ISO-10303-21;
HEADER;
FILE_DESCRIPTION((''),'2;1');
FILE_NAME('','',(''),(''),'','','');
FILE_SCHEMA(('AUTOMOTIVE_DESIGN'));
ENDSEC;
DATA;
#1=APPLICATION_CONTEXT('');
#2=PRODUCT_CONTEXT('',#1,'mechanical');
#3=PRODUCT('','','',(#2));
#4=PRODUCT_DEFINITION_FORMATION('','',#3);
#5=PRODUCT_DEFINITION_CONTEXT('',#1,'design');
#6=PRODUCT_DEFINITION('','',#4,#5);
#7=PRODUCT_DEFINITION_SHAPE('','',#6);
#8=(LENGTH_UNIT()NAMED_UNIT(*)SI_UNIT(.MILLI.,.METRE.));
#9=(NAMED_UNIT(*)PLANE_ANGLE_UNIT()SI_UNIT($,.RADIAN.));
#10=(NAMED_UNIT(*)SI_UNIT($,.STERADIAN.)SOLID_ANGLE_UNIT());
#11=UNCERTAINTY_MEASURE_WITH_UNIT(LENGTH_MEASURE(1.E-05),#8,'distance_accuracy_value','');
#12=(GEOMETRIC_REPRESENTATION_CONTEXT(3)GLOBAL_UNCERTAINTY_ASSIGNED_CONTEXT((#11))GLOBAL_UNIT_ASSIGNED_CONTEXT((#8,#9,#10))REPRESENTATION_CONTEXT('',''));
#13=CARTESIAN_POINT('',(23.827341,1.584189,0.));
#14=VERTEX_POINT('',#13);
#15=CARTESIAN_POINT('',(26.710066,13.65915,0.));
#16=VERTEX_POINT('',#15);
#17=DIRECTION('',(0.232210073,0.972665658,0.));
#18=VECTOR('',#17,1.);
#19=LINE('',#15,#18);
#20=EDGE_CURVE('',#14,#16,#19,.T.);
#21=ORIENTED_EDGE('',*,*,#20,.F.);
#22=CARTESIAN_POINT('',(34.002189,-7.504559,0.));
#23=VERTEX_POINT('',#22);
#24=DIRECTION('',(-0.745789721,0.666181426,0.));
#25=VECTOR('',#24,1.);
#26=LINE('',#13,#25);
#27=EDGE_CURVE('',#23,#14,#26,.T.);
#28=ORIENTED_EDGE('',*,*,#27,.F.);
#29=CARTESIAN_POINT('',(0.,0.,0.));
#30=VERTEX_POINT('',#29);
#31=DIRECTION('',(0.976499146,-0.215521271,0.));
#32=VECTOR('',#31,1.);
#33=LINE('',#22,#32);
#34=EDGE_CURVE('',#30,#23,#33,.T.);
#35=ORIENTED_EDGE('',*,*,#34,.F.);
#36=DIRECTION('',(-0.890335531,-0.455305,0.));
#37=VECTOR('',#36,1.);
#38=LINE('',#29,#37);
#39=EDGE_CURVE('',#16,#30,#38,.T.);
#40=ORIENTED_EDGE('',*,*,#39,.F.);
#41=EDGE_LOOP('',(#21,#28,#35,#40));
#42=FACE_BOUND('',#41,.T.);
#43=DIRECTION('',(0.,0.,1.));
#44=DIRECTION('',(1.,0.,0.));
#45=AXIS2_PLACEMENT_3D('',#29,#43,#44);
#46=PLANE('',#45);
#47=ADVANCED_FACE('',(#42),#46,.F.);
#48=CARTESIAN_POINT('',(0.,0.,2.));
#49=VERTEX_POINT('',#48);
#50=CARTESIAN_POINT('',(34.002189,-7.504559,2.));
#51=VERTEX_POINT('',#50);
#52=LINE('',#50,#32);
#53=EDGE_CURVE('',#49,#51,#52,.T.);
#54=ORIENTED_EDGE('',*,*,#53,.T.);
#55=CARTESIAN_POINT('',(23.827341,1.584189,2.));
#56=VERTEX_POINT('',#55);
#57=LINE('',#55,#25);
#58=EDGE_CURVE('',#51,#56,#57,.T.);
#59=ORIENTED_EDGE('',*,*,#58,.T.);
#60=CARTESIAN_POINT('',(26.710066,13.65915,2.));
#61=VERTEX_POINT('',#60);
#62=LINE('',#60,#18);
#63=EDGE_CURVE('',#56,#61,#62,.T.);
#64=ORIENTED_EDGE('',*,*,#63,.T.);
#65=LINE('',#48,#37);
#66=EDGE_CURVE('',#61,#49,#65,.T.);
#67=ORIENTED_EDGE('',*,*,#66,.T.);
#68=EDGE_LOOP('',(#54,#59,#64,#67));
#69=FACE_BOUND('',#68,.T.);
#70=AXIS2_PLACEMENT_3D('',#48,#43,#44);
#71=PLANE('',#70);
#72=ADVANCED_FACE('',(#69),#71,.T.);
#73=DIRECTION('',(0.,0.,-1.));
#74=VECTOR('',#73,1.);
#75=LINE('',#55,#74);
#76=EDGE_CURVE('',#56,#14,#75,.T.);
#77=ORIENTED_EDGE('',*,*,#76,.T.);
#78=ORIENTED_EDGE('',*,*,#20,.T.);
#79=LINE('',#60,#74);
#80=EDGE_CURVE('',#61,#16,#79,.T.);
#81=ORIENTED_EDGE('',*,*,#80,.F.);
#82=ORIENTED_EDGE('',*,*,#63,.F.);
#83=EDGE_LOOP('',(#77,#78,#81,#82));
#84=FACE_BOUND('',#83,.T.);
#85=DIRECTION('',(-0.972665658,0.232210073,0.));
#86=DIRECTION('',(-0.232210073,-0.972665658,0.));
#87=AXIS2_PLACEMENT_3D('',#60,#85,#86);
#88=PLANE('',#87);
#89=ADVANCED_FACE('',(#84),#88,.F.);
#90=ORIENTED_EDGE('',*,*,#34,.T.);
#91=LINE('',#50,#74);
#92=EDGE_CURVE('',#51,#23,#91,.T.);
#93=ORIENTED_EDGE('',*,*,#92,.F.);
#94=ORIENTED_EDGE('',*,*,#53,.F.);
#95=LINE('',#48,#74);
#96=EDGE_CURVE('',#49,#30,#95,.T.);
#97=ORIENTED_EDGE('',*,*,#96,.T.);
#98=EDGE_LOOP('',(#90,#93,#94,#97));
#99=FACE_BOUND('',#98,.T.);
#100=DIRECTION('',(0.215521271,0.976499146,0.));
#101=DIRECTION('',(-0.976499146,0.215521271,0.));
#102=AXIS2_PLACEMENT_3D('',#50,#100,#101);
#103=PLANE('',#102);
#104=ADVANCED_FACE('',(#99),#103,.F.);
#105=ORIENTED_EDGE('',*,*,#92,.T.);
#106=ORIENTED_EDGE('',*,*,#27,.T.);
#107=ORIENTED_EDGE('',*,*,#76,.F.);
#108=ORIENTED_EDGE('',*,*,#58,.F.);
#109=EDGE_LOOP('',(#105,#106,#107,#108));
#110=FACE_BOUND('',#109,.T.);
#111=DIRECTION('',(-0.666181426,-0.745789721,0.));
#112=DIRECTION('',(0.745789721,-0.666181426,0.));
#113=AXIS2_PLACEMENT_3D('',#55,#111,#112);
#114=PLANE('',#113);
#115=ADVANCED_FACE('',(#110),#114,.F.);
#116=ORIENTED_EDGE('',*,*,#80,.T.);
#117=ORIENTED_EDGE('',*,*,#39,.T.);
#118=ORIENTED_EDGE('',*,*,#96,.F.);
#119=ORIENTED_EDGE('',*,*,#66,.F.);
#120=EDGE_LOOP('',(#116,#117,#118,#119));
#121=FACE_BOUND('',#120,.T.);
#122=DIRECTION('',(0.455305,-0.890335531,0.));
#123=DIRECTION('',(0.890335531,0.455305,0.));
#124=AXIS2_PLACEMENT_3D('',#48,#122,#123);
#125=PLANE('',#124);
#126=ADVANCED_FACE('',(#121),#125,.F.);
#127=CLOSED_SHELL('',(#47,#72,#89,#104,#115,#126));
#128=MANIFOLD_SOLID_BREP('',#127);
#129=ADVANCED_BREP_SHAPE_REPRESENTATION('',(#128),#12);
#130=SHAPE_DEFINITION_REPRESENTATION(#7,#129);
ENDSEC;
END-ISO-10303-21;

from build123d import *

# Parameters (mm, degrees)
BOSS_EXTRUDE1_DEPTH = 2


with BuildPart() as part:
    # Sketch1 → Boss-Extrude1 (new body)
    with BuildSketch(Plane.XY):
        Polygon((0, 0), (26.710065923, 13.659149988), (23.827341077, 1.58418948), (34.002189282, -7.504558598), align=None)
    extrude(amount=BOSS_EXTRUDE1_DEPTH)


solid = part.part
